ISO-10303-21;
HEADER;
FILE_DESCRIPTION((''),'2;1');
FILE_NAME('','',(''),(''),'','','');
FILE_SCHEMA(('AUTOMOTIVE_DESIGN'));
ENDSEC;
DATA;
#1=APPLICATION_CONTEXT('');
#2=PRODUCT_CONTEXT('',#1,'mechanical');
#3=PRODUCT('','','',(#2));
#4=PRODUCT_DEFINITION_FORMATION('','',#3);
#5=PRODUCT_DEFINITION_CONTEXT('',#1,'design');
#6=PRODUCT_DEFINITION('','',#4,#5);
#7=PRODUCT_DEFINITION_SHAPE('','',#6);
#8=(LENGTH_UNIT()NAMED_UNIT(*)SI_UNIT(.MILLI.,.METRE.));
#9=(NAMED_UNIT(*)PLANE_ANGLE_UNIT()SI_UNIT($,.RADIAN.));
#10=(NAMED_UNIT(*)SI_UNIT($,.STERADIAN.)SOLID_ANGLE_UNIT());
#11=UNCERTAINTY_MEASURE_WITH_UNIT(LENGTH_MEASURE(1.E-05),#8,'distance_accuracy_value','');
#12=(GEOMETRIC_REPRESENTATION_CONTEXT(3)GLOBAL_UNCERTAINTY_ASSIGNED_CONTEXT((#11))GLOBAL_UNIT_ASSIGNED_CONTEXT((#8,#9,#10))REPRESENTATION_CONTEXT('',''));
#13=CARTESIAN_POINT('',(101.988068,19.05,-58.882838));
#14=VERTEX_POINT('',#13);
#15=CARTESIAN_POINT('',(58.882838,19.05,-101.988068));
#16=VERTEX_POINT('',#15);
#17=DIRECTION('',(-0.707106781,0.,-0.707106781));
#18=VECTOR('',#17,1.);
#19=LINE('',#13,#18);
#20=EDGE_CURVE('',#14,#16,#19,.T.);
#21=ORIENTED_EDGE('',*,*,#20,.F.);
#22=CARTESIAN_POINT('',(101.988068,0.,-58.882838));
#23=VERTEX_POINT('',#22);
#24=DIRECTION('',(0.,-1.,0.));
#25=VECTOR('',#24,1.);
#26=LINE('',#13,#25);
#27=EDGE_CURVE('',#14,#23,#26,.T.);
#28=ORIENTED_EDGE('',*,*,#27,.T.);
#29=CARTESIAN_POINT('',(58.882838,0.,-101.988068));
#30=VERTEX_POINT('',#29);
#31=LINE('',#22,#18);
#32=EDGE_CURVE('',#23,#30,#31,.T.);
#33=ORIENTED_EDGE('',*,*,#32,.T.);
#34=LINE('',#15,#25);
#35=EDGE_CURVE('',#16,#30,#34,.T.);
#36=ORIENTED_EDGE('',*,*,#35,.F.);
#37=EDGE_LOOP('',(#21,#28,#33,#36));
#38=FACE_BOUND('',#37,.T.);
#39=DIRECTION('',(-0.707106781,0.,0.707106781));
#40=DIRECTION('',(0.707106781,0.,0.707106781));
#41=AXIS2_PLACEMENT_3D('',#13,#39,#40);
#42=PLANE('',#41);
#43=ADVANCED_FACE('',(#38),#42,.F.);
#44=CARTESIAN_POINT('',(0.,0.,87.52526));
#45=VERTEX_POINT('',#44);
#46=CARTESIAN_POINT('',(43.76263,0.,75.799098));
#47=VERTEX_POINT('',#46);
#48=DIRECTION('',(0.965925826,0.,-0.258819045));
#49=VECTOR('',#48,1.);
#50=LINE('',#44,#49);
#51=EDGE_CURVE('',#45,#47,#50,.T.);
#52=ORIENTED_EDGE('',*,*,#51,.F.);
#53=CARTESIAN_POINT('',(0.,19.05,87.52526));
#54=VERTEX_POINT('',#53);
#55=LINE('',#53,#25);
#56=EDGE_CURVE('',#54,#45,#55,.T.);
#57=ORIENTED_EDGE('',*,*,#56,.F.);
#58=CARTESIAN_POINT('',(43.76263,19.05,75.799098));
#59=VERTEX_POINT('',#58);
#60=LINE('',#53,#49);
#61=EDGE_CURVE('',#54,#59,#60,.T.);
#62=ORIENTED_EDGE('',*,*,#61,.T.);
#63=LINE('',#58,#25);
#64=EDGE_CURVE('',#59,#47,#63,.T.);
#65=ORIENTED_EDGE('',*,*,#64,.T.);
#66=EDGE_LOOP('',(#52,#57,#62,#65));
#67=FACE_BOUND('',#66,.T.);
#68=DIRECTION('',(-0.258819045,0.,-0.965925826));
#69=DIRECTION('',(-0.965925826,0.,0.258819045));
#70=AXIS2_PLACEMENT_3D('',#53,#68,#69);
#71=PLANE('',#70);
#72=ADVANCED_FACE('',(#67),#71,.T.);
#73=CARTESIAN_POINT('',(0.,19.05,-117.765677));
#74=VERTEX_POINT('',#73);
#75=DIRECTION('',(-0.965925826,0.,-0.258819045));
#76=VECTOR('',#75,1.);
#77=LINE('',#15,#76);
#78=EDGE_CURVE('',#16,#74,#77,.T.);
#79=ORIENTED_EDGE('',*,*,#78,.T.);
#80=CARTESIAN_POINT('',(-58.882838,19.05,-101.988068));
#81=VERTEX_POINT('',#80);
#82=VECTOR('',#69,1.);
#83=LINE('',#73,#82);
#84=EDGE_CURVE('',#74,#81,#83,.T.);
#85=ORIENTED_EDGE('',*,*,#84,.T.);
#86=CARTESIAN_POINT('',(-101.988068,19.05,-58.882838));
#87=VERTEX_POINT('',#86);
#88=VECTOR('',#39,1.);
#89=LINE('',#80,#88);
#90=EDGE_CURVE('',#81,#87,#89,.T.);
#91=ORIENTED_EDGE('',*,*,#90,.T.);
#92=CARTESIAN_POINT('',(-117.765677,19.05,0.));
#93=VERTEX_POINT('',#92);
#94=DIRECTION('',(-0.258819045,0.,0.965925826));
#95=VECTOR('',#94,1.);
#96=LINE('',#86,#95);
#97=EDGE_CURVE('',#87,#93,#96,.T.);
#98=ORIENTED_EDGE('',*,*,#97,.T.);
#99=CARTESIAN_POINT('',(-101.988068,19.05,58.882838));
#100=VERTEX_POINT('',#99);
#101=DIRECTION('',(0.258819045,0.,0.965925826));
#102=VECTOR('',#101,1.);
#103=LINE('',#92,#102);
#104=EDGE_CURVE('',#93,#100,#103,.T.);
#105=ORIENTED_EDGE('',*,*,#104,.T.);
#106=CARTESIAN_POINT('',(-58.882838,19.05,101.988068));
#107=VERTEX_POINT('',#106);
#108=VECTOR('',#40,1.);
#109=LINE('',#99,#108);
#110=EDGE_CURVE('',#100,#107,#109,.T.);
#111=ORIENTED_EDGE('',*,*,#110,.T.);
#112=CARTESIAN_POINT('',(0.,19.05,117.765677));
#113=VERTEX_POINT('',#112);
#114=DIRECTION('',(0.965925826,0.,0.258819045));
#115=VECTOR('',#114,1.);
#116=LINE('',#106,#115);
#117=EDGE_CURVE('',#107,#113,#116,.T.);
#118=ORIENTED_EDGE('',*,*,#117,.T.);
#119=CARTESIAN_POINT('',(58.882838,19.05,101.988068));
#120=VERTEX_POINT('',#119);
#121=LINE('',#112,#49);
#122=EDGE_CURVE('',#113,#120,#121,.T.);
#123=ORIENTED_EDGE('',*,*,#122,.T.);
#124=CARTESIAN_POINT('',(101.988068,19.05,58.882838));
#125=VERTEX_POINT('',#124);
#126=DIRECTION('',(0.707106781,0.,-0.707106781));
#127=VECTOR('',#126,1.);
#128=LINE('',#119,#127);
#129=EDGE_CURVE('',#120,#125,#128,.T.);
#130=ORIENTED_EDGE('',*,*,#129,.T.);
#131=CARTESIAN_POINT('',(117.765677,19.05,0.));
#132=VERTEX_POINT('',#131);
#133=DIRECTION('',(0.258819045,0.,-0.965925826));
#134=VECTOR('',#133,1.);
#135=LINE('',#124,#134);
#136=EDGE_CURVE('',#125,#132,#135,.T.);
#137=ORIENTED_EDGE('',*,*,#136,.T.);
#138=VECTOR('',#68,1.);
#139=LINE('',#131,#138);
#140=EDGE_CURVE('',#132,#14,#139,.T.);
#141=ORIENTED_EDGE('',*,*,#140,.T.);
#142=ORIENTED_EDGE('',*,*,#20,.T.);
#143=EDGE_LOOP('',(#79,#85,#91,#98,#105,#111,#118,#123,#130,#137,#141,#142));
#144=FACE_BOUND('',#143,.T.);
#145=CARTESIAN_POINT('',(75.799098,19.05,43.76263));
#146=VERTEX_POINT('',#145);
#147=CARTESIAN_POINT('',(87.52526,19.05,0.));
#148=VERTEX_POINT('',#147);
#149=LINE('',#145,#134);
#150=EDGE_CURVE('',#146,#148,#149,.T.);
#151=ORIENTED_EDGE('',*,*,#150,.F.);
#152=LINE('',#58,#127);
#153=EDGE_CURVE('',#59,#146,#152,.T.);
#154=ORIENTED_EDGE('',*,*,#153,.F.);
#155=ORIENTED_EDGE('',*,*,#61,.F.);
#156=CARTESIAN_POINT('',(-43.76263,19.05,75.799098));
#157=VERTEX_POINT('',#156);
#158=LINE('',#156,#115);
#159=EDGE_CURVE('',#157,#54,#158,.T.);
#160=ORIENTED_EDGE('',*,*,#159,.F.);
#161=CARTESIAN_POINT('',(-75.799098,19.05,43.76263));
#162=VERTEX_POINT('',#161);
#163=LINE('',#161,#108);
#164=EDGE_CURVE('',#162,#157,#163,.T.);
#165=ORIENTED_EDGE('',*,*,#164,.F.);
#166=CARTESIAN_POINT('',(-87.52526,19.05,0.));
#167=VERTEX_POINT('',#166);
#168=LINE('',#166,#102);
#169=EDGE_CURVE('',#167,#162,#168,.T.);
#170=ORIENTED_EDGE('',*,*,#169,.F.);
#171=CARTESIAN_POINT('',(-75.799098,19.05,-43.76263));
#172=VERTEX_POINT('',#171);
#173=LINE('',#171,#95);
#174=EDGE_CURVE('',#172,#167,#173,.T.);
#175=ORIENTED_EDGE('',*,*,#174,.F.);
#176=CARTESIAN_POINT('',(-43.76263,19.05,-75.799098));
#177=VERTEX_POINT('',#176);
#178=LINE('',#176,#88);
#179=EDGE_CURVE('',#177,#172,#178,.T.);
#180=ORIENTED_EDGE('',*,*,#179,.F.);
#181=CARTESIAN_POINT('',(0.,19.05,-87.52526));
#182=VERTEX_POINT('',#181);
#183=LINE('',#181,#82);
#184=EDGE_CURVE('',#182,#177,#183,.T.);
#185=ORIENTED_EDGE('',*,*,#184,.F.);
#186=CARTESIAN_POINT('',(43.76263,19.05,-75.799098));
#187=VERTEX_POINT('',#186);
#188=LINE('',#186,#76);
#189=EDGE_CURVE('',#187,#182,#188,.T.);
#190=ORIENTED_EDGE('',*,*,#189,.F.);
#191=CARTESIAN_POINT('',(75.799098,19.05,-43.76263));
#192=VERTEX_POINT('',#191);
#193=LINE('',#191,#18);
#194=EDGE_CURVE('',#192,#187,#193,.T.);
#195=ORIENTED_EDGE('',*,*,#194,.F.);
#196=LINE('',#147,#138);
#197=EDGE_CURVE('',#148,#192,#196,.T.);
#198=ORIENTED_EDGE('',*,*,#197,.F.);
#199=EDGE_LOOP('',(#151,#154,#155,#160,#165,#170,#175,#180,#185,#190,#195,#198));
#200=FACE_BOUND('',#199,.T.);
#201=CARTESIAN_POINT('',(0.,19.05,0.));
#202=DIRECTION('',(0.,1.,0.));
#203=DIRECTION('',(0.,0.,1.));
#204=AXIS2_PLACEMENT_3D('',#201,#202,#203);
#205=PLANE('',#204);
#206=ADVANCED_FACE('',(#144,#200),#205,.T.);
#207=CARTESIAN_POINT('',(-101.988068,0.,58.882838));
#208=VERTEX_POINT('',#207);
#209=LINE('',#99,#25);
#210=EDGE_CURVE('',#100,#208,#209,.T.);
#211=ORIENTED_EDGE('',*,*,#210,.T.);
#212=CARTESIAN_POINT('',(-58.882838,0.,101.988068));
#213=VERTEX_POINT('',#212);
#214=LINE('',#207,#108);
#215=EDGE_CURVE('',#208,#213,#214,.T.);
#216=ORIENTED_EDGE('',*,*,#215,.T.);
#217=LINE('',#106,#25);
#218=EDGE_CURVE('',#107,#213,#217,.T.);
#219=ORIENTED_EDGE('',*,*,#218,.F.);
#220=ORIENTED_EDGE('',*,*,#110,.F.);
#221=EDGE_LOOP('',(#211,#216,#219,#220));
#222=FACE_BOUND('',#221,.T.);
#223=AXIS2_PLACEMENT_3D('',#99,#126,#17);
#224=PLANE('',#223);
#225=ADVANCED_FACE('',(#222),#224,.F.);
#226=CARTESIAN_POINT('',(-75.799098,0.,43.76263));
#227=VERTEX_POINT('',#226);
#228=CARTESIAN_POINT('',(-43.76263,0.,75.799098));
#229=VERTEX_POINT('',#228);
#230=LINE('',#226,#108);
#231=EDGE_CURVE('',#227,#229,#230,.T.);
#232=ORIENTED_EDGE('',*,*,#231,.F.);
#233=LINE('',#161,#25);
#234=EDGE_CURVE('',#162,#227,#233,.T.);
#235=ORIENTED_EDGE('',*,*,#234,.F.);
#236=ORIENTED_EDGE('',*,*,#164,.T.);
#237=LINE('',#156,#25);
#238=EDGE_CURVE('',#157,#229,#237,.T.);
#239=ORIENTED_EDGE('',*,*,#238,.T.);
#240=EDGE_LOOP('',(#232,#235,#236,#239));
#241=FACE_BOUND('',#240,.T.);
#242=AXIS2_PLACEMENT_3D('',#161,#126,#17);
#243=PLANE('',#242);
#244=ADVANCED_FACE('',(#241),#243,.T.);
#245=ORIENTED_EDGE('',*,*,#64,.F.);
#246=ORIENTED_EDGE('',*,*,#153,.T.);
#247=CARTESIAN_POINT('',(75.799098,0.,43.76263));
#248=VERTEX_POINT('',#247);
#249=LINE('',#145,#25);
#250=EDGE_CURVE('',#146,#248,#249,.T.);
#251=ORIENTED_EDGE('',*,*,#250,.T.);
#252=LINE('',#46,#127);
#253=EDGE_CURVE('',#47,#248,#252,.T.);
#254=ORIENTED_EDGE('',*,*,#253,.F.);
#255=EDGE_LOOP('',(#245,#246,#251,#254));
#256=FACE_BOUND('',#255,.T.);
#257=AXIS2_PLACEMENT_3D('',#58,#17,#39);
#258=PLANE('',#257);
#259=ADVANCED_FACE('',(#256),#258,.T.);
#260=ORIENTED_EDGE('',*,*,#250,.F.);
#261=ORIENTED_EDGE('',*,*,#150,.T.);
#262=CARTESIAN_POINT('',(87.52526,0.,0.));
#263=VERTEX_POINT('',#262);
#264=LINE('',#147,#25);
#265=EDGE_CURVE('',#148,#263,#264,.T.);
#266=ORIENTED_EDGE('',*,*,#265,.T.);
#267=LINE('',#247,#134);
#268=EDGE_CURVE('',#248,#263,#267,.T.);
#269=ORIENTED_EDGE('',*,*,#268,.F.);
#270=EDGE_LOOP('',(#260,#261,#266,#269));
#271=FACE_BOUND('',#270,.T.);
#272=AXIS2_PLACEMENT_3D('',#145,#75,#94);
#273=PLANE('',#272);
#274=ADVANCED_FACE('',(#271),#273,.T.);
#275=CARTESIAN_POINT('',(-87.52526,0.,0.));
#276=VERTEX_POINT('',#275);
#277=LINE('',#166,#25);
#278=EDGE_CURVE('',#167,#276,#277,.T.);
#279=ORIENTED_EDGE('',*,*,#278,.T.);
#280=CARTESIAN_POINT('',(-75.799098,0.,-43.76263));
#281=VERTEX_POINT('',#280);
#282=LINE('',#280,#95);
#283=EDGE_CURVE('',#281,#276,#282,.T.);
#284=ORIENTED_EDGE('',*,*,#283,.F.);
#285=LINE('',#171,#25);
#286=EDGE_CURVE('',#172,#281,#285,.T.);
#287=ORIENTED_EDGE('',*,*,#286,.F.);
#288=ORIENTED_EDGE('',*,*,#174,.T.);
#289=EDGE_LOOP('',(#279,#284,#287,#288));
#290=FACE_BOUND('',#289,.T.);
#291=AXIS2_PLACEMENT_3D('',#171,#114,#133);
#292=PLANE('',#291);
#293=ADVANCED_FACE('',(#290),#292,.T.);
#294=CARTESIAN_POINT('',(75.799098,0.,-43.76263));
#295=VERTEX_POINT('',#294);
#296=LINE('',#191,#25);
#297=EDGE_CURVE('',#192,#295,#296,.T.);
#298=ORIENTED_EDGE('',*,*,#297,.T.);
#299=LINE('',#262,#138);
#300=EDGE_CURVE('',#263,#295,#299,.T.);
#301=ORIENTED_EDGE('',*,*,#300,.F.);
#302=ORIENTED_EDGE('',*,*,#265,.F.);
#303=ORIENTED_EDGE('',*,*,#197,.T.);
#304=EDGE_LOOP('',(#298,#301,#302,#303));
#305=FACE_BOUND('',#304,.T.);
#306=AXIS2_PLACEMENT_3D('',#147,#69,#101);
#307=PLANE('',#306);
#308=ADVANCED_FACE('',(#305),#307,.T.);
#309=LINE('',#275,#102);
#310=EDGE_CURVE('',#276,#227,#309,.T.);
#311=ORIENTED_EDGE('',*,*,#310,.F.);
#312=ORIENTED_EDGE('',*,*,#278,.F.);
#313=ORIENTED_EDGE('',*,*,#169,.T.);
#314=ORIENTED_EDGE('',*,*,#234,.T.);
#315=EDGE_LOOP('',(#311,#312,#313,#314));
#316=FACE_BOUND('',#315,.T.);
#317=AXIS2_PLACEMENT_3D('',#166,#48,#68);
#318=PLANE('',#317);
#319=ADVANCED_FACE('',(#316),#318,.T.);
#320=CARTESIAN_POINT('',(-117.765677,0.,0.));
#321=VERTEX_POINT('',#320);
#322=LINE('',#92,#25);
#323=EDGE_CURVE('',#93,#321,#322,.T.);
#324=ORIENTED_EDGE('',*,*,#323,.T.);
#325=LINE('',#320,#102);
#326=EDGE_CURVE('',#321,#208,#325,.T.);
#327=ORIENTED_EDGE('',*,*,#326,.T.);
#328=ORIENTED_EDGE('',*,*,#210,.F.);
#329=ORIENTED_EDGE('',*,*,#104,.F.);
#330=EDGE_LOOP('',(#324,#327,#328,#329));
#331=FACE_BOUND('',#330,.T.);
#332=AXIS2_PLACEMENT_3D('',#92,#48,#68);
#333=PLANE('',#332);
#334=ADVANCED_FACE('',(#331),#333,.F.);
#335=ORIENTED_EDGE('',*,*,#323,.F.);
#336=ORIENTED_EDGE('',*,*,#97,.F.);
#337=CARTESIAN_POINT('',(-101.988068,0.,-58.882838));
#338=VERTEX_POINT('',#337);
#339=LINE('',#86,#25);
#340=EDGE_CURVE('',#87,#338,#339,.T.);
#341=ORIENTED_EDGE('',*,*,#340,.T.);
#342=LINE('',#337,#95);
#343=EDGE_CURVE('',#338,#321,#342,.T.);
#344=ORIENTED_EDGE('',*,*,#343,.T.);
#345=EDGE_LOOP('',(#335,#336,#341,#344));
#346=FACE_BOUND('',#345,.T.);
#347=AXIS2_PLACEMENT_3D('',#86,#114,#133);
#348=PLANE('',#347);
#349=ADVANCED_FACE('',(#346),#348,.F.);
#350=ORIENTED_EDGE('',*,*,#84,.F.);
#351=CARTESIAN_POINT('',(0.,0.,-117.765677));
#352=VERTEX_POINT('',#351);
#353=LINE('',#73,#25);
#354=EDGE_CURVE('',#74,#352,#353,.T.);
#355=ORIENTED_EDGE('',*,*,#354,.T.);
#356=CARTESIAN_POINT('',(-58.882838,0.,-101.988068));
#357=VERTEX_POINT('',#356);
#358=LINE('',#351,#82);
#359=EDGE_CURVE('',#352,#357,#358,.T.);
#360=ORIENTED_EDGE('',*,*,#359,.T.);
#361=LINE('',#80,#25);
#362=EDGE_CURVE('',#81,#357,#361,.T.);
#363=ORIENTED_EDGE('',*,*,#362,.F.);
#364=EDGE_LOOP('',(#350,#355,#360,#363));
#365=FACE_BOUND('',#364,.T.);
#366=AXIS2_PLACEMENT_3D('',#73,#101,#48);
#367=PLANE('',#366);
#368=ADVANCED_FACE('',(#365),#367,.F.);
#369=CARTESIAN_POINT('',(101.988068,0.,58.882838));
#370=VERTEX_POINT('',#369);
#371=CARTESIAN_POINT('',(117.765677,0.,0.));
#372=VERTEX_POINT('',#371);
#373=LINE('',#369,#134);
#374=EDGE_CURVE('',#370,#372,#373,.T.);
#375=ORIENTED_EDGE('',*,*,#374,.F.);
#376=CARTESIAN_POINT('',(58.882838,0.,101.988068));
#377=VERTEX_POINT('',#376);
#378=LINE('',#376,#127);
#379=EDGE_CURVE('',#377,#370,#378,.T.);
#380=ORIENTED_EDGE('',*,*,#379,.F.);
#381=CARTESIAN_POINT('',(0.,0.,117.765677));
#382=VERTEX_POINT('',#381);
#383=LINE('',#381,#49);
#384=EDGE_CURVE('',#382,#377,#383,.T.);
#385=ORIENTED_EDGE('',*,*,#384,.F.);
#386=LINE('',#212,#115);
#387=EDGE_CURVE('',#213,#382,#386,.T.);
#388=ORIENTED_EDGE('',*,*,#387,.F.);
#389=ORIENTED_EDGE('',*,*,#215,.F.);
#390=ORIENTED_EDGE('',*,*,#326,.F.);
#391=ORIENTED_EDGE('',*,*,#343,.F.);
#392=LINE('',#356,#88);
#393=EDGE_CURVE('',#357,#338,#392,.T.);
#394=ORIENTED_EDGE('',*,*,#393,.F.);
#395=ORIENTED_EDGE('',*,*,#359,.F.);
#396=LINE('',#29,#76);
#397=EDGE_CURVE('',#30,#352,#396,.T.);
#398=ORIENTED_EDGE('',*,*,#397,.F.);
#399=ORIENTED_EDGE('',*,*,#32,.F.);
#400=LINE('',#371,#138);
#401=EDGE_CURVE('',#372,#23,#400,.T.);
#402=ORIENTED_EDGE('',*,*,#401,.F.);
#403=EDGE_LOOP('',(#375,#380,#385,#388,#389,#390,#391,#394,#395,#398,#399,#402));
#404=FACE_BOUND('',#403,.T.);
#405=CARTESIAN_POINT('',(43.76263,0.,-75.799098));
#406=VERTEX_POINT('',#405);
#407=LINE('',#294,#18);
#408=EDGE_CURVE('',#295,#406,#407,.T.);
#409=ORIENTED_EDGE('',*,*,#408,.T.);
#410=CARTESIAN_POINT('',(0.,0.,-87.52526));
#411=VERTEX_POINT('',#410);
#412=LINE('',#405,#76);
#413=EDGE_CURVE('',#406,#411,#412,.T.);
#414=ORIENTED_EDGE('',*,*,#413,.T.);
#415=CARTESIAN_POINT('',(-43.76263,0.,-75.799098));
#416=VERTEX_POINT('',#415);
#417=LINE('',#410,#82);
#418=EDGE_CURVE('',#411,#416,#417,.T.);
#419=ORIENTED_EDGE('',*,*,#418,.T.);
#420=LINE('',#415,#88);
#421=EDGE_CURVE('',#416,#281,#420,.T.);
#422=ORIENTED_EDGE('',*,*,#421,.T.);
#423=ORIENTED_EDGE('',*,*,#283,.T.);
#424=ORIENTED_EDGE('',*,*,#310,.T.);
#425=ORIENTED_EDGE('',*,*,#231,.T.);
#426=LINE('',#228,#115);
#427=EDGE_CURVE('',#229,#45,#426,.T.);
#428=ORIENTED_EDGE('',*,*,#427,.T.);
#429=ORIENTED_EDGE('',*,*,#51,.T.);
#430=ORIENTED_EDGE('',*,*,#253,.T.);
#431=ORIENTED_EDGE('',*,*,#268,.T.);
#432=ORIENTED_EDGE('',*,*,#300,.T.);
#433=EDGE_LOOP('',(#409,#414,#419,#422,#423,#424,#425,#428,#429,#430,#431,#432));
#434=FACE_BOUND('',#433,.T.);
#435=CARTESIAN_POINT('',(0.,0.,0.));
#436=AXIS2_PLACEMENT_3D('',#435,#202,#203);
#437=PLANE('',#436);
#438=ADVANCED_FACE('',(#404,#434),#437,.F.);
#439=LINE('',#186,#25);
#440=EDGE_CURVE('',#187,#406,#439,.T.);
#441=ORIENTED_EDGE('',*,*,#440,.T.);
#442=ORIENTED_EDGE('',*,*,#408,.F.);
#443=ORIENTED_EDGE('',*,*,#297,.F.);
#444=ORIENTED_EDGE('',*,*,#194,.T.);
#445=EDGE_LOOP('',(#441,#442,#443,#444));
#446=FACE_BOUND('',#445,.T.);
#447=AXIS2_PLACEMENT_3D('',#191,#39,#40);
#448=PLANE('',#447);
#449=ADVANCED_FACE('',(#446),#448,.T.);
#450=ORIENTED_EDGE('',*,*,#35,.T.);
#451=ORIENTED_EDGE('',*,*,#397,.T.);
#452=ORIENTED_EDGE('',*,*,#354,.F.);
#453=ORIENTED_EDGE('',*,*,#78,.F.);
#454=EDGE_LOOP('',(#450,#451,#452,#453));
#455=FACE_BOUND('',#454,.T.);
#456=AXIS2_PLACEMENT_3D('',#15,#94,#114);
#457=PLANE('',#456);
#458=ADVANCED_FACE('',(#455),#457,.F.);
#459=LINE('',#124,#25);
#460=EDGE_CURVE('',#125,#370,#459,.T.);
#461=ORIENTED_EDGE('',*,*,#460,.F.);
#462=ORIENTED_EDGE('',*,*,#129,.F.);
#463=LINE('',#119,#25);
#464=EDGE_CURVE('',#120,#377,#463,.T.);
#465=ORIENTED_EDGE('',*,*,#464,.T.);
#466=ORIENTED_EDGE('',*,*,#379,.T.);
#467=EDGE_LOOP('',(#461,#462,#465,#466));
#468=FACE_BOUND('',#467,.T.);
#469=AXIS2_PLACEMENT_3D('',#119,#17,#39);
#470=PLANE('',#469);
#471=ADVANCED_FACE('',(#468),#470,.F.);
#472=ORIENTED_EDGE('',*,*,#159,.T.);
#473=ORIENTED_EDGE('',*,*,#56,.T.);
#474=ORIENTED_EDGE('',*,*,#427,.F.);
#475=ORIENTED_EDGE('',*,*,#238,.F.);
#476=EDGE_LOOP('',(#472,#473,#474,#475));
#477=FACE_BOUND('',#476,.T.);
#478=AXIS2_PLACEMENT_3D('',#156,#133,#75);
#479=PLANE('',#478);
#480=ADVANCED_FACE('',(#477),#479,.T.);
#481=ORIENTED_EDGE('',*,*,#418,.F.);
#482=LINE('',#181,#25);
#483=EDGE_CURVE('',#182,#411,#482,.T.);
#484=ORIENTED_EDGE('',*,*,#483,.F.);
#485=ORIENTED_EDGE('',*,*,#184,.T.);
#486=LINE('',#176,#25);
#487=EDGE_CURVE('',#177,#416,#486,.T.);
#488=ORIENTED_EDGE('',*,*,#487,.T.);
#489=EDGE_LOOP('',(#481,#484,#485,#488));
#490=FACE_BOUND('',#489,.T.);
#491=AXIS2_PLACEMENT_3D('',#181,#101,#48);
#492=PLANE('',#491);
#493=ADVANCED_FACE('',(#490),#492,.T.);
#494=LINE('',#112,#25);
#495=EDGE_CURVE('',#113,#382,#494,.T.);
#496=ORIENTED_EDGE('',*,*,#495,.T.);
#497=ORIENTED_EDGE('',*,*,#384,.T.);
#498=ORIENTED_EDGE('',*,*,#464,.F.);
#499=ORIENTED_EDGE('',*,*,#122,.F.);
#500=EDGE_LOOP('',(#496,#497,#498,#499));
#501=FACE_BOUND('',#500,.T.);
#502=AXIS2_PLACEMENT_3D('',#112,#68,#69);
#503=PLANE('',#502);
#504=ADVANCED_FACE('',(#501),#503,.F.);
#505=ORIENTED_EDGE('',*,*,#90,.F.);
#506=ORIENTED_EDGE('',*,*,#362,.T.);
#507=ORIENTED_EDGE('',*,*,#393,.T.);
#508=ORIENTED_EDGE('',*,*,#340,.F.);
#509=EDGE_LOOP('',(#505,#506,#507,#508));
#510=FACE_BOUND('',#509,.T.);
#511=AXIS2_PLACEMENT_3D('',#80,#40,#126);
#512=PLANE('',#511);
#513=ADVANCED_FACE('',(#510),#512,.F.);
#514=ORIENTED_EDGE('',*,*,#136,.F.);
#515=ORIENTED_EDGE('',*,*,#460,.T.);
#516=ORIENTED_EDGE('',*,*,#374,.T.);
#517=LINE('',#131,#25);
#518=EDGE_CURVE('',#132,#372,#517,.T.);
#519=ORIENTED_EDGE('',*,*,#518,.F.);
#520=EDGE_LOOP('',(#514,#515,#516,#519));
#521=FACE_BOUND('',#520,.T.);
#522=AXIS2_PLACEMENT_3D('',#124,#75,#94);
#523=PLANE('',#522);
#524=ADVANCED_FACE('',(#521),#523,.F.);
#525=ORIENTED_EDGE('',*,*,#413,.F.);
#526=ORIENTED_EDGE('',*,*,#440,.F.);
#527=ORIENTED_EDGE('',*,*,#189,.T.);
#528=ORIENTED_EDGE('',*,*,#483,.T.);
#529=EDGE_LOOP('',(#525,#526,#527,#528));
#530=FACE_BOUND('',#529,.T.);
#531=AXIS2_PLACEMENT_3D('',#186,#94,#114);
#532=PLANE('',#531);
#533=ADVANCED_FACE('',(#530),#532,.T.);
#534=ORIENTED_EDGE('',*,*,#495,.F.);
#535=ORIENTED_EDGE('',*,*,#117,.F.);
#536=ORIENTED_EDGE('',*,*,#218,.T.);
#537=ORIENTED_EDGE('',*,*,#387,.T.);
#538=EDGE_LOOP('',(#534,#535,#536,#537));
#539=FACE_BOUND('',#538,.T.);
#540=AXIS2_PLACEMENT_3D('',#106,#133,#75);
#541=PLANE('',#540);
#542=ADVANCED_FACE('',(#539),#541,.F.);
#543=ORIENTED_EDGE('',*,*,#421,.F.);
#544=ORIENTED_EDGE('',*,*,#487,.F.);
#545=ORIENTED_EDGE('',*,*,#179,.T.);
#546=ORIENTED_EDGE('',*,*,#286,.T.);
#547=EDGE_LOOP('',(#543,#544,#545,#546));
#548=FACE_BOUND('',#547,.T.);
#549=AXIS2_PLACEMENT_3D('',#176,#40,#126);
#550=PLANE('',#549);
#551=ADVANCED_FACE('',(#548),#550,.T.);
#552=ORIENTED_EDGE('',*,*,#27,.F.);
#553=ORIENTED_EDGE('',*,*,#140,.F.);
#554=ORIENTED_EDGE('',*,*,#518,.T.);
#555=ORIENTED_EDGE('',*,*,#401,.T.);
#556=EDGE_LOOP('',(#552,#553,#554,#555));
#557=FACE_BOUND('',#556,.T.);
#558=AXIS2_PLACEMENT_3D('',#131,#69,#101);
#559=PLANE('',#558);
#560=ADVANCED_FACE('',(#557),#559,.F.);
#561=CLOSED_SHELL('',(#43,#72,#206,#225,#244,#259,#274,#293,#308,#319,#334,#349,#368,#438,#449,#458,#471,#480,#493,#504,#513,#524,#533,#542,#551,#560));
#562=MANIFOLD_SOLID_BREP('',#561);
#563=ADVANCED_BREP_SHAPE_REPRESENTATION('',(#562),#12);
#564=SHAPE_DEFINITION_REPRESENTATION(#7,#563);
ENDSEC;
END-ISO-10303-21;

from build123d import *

# Parameters (mm, degrees)
BOSS_EXTRUDE1_DEPTH = 19.05


with BuildPart() as part:
    # Sketch1 → Boss-Extrude1 (new body)
    with BuildSketch(Plane(origin=(0, 0, 0), x_dir=(1, 0, 0), z_dir=(0, 1, 0))):
        Polygon((117.765676741, 0), (101.988067752, 58.882838371), (58.882838371, 101.988067752), (0, 117.765676741), (-58.882838371, 101.988067752), (-101.988067752, 58.882838371), (-117.765676741, 0), (-101.988067752, -58.882838371), (-58.882838371, -101.988067752), (0, -117.765676741), (58.882838371, -101.988067752), (101.988067752, -58.882838371), align=None)
        Polygon((87.525259511, 0), (75.79909821, 43.762629756), (43.762629756, 75.79909821), (0, 87.525259511), (-43.762629756, 75.79909821), (-75.79909821, 43.762629756), (-87.525259511, 0), (-75.79909821, -43.762629756), (-43.762629756, -75.79909821), (0, -87.525259511), (43.762629756, -75.79909821), (75.79909821, -43.762629756), align=None, mode=Mode.SUBTRACT)
    extrude(amount=BOSS_EXTRUDE1_DEPTH)


solid = part.part
